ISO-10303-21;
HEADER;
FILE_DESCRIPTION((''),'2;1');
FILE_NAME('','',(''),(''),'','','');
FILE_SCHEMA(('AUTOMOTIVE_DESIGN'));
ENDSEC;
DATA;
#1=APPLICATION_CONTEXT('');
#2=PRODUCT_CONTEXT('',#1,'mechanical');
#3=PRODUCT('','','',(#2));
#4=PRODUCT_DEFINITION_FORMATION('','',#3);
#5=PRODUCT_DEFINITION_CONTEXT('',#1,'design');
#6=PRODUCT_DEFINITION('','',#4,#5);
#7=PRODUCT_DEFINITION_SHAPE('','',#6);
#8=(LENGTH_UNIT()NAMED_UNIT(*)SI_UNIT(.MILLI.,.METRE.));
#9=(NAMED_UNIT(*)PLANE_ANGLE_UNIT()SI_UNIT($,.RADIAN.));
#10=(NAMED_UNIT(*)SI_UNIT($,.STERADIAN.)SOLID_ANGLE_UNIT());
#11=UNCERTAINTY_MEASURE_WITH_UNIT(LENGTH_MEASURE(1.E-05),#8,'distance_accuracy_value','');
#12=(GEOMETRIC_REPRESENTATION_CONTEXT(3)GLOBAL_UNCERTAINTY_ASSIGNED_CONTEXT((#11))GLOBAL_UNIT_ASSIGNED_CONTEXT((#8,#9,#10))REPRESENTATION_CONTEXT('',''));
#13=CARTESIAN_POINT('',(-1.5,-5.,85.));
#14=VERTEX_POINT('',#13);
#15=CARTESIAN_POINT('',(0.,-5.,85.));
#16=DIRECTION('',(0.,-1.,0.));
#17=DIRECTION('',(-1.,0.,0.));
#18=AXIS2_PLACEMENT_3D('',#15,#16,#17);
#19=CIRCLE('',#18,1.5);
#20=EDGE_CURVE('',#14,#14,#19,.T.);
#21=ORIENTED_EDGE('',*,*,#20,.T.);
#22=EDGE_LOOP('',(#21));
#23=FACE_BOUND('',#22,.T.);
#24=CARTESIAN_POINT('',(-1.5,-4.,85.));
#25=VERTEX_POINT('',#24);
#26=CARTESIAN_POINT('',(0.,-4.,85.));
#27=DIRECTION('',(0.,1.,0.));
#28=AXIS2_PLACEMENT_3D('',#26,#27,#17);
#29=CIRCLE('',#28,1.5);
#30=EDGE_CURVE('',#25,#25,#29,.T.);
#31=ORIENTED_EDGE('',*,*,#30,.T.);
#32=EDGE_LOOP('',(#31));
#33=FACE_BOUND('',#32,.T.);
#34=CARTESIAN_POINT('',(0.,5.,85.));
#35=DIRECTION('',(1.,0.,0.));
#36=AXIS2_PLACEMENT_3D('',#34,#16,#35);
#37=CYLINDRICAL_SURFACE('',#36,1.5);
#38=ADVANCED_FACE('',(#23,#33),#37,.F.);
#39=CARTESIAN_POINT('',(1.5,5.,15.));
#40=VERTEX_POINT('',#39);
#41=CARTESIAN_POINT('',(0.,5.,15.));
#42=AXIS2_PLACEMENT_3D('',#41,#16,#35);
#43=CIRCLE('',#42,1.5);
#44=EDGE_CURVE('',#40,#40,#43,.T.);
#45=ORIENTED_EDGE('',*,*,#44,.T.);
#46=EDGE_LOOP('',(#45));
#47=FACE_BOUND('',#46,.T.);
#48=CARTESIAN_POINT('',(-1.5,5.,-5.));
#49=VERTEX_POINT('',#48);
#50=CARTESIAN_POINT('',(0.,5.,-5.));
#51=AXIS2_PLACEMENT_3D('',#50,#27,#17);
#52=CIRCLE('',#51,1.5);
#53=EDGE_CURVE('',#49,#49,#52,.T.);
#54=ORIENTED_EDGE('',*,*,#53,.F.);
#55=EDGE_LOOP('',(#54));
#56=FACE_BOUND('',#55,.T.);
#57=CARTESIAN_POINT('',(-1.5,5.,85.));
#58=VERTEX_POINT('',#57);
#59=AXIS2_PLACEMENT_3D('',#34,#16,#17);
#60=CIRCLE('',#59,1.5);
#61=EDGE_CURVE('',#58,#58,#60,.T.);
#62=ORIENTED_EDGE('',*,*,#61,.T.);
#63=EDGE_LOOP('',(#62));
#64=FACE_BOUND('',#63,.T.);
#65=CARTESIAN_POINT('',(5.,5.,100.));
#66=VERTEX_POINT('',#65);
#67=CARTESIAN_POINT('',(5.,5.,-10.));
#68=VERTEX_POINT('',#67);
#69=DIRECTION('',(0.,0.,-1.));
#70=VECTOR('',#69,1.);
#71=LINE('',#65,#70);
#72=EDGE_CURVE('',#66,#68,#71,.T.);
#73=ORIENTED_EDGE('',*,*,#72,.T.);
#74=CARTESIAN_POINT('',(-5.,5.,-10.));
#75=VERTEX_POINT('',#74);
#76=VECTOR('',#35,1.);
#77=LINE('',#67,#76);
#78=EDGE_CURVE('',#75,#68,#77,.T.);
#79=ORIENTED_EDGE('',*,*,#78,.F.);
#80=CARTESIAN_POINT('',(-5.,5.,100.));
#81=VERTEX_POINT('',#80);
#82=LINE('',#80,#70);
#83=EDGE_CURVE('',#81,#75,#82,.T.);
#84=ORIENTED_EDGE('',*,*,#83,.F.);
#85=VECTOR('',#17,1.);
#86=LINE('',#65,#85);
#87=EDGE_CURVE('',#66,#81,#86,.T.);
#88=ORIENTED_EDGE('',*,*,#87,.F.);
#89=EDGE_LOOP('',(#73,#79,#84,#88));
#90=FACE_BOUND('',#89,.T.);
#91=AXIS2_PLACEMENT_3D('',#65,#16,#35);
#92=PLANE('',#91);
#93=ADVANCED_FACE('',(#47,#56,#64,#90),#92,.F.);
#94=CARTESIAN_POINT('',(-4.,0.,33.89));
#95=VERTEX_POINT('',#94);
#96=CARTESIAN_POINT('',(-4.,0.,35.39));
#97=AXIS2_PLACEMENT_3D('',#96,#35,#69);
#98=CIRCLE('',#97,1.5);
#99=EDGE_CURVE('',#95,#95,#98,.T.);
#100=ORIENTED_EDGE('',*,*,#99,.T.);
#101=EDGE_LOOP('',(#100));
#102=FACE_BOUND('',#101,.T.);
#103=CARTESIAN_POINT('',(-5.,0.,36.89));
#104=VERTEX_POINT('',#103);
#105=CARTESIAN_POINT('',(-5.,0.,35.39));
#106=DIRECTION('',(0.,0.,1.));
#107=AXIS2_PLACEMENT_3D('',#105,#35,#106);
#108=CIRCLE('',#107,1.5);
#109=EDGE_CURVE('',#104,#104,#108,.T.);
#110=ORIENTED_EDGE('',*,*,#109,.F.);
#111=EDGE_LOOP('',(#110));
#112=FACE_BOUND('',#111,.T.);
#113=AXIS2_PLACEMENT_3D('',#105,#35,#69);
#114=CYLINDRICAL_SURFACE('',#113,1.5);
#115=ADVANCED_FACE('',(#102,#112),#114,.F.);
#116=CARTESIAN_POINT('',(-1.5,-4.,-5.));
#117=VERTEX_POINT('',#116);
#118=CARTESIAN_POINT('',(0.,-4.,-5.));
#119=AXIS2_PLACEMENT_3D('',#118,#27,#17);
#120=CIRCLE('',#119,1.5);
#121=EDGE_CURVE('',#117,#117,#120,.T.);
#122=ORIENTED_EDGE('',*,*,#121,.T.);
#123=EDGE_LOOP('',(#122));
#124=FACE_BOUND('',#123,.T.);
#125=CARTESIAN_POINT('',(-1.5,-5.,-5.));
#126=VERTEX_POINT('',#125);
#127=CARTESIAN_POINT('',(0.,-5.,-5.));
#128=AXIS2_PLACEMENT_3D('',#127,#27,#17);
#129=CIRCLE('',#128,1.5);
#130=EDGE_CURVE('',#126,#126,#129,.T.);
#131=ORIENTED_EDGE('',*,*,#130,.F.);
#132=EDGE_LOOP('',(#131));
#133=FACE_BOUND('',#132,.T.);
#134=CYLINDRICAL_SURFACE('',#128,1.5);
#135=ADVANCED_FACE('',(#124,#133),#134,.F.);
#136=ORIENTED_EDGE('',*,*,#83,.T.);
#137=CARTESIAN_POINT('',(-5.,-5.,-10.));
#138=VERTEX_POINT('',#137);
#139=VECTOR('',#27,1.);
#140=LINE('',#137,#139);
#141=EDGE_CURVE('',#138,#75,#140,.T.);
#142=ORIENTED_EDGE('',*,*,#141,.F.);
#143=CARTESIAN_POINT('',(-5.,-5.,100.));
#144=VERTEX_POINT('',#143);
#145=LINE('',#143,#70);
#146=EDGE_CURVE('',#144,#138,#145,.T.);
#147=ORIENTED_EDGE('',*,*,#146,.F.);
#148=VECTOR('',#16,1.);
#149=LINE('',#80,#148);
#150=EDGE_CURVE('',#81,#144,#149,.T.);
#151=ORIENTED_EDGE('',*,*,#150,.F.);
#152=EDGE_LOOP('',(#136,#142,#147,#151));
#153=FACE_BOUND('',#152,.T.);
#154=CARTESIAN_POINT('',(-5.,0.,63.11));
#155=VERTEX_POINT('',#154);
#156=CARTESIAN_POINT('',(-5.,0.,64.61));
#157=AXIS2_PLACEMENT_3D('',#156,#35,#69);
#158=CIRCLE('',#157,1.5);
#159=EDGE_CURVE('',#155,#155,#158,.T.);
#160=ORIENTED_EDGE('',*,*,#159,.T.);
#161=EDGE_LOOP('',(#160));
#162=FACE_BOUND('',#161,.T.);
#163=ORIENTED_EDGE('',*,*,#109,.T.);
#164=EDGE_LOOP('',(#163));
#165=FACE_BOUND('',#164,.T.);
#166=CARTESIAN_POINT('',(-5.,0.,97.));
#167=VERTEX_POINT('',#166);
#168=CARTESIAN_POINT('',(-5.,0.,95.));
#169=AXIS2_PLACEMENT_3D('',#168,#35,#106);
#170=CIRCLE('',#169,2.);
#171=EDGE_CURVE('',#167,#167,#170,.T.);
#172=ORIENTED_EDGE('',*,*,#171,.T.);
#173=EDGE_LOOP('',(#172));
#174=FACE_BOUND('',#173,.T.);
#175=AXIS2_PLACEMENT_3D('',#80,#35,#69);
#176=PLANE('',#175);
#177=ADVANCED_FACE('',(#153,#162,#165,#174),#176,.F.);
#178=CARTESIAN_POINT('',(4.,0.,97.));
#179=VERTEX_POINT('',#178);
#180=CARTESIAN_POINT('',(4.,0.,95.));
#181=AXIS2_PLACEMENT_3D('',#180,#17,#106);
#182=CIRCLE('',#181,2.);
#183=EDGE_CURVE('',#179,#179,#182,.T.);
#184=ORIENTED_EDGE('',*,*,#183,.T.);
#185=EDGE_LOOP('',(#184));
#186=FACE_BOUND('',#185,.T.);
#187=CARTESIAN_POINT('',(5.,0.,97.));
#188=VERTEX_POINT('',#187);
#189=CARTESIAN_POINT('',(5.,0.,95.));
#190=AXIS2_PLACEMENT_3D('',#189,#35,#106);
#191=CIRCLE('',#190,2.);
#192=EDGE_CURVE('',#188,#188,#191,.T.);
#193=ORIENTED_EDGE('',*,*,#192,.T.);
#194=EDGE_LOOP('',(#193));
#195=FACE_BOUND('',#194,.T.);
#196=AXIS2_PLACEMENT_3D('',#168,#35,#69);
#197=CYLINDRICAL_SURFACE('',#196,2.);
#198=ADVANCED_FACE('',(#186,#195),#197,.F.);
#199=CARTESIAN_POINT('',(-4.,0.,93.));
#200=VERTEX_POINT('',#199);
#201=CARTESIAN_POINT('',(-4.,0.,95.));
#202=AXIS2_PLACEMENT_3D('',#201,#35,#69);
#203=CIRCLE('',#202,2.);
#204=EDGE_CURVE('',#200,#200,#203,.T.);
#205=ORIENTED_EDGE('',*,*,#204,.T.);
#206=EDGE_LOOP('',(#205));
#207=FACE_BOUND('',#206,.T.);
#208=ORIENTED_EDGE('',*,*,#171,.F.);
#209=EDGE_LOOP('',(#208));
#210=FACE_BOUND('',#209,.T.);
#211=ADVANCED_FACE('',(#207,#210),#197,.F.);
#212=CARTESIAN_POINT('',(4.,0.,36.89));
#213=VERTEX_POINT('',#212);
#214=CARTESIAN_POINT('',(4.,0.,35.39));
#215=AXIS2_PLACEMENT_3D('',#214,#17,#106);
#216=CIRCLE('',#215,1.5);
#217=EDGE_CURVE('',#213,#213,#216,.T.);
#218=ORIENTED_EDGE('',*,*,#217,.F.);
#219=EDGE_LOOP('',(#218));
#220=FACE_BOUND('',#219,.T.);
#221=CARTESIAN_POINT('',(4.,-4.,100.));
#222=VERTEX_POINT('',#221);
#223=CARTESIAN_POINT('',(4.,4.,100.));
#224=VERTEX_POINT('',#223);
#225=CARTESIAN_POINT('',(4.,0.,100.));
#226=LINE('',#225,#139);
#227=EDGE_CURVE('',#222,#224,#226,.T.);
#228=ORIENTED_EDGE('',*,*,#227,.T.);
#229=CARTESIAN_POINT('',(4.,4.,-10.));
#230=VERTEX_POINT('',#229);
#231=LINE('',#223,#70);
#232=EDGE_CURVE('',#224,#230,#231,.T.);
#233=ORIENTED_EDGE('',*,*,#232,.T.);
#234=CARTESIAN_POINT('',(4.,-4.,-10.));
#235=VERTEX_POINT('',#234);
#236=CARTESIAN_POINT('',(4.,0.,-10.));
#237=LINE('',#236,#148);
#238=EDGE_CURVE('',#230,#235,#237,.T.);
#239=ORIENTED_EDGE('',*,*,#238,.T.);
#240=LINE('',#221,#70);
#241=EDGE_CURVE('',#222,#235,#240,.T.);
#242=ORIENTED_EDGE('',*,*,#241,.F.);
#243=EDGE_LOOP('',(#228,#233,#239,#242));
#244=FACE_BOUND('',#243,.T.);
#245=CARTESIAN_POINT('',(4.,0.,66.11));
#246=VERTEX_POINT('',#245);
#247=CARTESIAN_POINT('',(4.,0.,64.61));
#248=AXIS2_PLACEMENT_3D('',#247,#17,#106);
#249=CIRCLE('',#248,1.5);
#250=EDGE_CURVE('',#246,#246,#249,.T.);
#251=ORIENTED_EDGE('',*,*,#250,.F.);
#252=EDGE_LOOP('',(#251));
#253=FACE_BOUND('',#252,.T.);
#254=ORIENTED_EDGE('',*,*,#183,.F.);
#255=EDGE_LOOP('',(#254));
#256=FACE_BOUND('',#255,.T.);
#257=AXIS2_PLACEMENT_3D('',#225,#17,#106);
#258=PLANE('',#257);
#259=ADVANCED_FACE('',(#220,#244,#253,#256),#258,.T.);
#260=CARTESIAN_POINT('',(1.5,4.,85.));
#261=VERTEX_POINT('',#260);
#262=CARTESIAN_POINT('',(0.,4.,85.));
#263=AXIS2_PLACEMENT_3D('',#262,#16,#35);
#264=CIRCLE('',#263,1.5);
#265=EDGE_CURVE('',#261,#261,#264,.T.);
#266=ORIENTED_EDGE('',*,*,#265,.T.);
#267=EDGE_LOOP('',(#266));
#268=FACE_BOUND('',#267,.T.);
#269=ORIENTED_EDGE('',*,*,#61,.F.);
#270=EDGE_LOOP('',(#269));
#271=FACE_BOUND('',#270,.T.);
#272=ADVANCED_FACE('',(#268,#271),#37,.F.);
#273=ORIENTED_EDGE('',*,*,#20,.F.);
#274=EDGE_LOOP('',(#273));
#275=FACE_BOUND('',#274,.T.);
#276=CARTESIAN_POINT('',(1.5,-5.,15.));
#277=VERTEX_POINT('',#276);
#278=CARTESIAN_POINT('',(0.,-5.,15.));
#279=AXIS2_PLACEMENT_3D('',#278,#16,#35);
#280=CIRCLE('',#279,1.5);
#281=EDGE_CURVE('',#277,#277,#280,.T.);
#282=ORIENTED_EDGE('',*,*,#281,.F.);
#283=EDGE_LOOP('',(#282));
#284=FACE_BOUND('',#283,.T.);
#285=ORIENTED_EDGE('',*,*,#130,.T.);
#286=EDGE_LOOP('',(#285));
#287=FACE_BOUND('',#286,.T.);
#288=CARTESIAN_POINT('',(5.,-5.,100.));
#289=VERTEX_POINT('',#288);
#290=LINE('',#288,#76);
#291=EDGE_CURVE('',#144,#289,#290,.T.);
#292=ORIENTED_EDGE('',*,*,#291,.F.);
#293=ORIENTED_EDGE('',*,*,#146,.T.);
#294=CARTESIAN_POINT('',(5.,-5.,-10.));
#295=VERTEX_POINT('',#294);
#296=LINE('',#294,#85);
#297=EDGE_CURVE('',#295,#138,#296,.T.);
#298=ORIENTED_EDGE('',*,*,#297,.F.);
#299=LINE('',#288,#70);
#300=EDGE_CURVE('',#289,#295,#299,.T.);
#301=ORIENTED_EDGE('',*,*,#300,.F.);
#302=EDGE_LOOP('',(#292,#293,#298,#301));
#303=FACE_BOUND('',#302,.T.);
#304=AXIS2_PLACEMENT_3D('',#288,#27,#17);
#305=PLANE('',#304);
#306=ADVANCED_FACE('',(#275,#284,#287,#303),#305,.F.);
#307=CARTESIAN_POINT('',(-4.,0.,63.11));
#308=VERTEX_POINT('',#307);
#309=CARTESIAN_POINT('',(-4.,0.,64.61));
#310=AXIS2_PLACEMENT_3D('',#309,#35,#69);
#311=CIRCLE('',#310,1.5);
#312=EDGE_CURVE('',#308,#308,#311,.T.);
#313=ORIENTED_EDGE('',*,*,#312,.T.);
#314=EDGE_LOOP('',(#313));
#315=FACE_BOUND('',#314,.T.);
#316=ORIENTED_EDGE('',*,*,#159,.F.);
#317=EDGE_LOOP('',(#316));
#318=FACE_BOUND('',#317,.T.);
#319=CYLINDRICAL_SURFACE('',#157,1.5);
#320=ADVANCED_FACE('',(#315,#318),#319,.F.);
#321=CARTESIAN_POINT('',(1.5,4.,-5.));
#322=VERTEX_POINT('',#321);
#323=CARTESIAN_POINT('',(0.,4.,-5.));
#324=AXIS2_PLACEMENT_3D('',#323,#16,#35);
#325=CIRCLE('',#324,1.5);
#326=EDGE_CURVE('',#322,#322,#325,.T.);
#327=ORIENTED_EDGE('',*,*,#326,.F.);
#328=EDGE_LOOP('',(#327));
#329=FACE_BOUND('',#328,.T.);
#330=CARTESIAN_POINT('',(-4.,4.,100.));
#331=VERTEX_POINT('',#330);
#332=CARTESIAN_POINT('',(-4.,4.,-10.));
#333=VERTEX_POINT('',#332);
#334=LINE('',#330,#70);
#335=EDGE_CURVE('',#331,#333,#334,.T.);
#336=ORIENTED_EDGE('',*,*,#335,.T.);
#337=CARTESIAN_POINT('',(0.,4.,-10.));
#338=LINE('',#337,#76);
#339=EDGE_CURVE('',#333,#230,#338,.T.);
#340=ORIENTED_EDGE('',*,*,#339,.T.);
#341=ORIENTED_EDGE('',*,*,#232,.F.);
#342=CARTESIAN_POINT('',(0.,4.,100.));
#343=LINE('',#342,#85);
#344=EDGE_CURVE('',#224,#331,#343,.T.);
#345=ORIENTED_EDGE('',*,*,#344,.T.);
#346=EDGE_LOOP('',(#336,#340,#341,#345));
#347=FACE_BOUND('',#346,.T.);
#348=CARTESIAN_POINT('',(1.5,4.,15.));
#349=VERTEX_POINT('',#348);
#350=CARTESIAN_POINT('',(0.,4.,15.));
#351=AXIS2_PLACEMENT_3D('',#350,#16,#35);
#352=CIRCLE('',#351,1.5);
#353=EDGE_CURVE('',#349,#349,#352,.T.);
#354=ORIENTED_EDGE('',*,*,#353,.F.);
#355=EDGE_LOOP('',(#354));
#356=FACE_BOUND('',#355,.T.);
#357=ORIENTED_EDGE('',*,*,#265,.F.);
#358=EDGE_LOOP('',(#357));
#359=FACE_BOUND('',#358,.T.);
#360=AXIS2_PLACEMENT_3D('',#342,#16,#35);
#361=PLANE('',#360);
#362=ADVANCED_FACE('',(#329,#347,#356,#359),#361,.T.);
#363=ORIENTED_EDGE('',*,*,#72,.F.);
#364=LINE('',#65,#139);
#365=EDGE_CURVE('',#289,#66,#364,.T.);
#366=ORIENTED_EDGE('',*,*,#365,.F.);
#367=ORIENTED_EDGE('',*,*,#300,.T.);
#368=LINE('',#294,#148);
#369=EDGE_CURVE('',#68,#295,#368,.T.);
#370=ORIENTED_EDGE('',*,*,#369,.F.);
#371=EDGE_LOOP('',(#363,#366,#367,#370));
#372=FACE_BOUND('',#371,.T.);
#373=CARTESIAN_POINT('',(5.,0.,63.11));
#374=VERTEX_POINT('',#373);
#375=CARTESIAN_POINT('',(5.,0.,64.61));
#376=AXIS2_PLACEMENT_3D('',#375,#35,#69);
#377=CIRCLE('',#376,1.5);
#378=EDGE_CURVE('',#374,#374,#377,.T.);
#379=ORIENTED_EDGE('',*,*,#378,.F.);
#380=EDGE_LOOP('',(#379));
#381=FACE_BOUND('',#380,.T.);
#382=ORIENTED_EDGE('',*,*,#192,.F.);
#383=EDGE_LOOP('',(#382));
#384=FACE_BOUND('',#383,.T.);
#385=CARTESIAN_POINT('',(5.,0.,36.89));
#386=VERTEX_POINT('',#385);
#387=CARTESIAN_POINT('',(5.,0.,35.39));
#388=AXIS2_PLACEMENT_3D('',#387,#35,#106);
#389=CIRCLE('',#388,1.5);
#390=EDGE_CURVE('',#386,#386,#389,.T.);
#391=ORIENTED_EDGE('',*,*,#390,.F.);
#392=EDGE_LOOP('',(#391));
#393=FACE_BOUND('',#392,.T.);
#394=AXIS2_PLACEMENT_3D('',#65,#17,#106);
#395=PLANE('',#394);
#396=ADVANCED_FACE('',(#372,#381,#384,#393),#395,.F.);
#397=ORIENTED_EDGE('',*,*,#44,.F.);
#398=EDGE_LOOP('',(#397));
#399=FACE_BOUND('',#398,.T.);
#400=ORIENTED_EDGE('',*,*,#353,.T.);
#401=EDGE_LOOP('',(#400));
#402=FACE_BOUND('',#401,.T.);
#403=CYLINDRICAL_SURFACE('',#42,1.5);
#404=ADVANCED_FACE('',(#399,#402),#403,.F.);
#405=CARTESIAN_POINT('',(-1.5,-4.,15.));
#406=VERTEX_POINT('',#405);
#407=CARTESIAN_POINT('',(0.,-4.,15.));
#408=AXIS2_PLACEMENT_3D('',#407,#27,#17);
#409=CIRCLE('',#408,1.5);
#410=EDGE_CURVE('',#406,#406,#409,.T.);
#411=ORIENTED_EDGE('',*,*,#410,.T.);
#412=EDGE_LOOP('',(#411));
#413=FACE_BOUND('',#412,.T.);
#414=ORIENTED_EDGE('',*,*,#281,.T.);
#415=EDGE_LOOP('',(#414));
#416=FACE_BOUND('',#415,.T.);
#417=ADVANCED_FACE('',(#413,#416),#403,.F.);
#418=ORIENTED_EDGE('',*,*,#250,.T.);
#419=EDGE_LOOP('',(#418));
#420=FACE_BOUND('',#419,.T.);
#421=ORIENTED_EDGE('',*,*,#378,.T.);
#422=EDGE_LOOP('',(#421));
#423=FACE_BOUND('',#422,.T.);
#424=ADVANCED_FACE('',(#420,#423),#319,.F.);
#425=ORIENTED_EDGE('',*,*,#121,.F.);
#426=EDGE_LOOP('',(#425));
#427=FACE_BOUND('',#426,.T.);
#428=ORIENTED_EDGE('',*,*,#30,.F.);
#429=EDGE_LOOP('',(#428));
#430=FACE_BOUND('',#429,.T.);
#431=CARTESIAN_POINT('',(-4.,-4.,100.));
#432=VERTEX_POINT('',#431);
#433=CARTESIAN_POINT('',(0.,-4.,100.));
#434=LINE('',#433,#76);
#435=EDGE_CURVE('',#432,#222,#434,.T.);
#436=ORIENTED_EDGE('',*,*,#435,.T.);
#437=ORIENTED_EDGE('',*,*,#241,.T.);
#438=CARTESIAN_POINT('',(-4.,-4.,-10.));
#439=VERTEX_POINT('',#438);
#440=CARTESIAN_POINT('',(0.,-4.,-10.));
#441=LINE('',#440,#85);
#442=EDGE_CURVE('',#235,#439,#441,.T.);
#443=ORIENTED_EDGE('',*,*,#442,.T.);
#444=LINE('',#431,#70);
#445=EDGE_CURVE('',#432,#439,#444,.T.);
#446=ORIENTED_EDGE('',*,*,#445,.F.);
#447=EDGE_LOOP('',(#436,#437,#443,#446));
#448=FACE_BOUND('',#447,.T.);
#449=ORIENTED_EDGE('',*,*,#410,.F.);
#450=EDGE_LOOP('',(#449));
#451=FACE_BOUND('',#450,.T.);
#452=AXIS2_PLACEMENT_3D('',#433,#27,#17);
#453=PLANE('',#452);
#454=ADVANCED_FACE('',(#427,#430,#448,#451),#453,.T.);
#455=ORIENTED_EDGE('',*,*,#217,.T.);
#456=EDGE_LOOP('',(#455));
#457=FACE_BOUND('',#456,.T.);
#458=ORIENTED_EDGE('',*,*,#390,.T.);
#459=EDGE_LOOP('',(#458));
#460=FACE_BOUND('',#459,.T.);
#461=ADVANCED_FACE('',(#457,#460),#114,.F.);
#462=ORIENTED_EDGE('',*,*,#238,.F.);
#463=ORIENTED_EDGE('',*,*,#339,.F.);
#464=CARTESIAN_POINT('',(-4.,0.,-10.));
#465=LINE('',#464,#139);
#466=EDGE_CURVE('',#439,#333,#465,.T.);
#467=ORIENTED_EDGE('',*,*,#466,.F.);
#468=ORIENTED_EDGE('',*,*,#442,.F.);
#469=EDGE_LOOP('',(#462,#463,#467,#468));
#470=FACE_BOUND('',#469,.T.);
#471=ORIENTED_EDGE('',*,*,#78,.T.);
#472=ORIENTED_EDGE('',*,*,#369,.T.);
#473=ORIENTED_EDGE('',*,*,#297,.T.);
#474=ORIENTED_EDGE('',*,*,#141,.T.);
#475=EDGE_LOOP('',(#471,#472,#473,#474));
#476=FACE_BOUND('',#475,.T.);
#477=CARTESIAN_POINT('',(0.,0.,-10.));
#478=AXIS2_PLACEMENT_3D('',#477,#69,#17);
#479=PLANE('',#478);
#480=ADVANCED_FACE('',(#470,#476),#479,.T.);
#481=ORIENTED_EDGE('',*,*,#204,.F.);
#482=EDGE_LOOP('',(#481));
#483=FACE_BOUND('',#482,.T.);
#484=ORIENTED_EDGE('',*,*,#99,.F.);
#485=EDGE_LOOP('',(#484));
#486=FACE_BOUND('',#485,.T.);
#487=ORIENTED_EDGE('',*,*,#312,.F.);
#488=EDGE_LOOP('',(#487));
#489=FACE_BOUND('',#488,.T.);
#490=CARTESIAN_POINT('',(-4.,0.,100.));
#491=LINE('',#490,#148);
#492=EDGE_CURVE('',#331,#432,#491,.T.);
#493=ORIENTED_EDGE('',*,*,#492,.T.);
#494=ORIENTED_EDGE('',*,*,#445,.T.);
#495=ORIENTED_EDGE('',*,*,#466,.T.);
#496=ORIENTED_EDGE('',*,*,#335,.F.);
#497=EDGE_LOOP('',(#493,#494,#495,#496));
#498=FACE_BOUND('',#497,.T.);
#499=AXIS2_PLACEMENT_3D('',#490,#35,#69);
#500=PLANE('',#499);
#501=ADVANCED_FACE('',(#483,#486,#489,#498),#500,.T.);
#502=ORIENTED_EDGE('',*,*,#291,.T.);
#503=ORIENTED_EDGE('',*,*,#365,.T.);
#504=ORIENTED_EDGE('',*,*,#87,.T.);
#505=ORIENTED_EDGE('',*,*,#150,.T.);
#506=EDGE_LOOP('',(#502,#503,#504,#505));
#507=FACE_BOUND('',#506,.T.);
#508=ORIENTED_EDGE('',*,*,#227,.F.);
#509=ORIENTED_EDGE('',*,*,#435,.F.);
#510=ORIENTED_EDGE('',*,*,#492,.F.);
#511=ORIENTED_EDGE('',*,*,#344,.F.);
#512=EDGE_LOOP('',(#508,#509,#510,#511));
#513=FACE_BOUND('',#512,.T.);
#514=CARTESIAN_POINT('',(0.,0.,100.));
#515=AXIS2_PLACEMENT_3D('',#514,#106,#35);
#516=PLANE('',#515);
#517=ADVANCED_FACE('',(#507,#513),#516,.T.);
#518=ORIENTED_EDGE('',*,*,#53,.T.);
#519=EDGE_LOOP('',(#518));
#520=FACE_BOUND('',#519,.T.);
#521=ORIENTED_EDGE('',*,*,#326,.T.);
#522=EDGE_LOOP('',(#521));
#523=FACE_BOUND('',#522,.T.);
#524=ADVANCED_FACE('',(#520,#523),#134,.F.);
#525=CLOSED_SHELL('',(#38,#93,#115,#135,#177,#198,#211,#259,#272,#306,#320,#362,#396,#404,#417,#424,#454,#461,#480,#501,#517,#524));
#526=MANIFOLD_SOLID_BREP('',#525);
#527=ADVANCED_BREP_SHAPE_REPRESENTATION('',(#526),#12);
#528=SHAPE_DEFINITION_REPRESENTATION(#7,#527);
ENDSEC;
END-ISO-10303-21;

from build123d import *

# Parameters (mm, degrees)
SKETCH_1_W          = 10
SKETCH_1_H          = 10
SKETCH_1_W_2        = 8
SKETCH_1_H_2        = 8
EXTRUDE_1_DEPTH     = 100
SKETCH_3_R          = 1.5
CUT_EXTRUDE_2_DEPTH = 101.623058987
SKETCH_4_R          = 1.5
SKETCH_4_R_2        = 2
CUT_EXTRUDE_3_DEPTH = 101.623058987
SKETCH_5_W          = 10
SKETCH_5_H          = 10
SKETCH_5_W_2        = 8
SKETCH_5_H_2        = 8
EXTRUDE_2_DEPTH     = 10
SKETCH_6_R          = 1.5
CUT_EXTRUDE_4_DEPTH = 101.623058987


with BuildPart() as part:
    # ｽｹｯﾁ1 → 押し出し-薄板1 (new body)
    with BuildSketch(Plane.XY):
        Rectangle(SKETCH_1_W, SKETCH_1_H)
        Rectangle(SKETCH_1_W_2, SKETCH_1_H_2, mode=Mode.SUBTRACT)
    extrude(amount=EXTRUDE_1_DEPTH)

    # ｽｹｯﾁ3 → ｶｯﾄ - 押し出し2 (cut, through all)
    with BuildSketch(Plane.XZ.offset(5)):
        with Locations((0, 15)):
            Circle(SKETCH_3_R)
        with Locations((0, 85)):
            Circle(SKETCH_3_R)
    extrude(amount=-CUT_EXTRUDE_2_DEPTH, mode=Mode.SUBTRACT)

    # ｽｹｯﾁ4 → ｶｯﾄ - 押し出し3 (cut, through all)
    with BuildSketch(Plane(origin=(5, 0, 0), x_dir=(0, 0, -1), z_dir=(1, 0, 0))):
        with Locations((-64.61, 0)):
            Circle(SKETCH_4_R)
        with Locations(Location((-35.39, 0, 0), (0, 0, 180))):
            Circle(SKETCH_4_R)
        with Locations(Location((-95, 0, 0), (0, 0, 180))):
            Circle(SKETCH_4_R_2)
    extrude(amount=-CUT_EXTRUDE_3_DEPTH, mode=Mode.SUBTRACT)

    # ｽｹｯﾁ5 → 押し出し-薄板2 (add)
    with BuildSketch(Plane(origin=(0, 0, 0), x_dir=(-1, 0, 0), z_dir=(0, 0, -1))):
        Rectangle(SKETCH_5_W, SKETCH_5_H)
        Rectangle(SKETCH_5_W_2, SKETCH_5_H_2, mode=Mode.SUBTRACT)
    extrude(amount=EXTRUDE_2_DEPTH)

    # ｽｹｯﾁ6 → ｶｯﾄ - 押し出し4 (cut, through all)
    with BuildSketch(Plane(origin=(0, 5, 0), x_dir=(1, 0, 0), z_dir=(0, 1, 0))):
        with Locations(Location((0, 5, 0), (0, 0, 180))):
            Circle(SKETCH_6_R)
    extrude(amount=-CUT_EXTRUDE_4_DEPTH, mode=Mode.SUBTRACT)


solid = part.part
